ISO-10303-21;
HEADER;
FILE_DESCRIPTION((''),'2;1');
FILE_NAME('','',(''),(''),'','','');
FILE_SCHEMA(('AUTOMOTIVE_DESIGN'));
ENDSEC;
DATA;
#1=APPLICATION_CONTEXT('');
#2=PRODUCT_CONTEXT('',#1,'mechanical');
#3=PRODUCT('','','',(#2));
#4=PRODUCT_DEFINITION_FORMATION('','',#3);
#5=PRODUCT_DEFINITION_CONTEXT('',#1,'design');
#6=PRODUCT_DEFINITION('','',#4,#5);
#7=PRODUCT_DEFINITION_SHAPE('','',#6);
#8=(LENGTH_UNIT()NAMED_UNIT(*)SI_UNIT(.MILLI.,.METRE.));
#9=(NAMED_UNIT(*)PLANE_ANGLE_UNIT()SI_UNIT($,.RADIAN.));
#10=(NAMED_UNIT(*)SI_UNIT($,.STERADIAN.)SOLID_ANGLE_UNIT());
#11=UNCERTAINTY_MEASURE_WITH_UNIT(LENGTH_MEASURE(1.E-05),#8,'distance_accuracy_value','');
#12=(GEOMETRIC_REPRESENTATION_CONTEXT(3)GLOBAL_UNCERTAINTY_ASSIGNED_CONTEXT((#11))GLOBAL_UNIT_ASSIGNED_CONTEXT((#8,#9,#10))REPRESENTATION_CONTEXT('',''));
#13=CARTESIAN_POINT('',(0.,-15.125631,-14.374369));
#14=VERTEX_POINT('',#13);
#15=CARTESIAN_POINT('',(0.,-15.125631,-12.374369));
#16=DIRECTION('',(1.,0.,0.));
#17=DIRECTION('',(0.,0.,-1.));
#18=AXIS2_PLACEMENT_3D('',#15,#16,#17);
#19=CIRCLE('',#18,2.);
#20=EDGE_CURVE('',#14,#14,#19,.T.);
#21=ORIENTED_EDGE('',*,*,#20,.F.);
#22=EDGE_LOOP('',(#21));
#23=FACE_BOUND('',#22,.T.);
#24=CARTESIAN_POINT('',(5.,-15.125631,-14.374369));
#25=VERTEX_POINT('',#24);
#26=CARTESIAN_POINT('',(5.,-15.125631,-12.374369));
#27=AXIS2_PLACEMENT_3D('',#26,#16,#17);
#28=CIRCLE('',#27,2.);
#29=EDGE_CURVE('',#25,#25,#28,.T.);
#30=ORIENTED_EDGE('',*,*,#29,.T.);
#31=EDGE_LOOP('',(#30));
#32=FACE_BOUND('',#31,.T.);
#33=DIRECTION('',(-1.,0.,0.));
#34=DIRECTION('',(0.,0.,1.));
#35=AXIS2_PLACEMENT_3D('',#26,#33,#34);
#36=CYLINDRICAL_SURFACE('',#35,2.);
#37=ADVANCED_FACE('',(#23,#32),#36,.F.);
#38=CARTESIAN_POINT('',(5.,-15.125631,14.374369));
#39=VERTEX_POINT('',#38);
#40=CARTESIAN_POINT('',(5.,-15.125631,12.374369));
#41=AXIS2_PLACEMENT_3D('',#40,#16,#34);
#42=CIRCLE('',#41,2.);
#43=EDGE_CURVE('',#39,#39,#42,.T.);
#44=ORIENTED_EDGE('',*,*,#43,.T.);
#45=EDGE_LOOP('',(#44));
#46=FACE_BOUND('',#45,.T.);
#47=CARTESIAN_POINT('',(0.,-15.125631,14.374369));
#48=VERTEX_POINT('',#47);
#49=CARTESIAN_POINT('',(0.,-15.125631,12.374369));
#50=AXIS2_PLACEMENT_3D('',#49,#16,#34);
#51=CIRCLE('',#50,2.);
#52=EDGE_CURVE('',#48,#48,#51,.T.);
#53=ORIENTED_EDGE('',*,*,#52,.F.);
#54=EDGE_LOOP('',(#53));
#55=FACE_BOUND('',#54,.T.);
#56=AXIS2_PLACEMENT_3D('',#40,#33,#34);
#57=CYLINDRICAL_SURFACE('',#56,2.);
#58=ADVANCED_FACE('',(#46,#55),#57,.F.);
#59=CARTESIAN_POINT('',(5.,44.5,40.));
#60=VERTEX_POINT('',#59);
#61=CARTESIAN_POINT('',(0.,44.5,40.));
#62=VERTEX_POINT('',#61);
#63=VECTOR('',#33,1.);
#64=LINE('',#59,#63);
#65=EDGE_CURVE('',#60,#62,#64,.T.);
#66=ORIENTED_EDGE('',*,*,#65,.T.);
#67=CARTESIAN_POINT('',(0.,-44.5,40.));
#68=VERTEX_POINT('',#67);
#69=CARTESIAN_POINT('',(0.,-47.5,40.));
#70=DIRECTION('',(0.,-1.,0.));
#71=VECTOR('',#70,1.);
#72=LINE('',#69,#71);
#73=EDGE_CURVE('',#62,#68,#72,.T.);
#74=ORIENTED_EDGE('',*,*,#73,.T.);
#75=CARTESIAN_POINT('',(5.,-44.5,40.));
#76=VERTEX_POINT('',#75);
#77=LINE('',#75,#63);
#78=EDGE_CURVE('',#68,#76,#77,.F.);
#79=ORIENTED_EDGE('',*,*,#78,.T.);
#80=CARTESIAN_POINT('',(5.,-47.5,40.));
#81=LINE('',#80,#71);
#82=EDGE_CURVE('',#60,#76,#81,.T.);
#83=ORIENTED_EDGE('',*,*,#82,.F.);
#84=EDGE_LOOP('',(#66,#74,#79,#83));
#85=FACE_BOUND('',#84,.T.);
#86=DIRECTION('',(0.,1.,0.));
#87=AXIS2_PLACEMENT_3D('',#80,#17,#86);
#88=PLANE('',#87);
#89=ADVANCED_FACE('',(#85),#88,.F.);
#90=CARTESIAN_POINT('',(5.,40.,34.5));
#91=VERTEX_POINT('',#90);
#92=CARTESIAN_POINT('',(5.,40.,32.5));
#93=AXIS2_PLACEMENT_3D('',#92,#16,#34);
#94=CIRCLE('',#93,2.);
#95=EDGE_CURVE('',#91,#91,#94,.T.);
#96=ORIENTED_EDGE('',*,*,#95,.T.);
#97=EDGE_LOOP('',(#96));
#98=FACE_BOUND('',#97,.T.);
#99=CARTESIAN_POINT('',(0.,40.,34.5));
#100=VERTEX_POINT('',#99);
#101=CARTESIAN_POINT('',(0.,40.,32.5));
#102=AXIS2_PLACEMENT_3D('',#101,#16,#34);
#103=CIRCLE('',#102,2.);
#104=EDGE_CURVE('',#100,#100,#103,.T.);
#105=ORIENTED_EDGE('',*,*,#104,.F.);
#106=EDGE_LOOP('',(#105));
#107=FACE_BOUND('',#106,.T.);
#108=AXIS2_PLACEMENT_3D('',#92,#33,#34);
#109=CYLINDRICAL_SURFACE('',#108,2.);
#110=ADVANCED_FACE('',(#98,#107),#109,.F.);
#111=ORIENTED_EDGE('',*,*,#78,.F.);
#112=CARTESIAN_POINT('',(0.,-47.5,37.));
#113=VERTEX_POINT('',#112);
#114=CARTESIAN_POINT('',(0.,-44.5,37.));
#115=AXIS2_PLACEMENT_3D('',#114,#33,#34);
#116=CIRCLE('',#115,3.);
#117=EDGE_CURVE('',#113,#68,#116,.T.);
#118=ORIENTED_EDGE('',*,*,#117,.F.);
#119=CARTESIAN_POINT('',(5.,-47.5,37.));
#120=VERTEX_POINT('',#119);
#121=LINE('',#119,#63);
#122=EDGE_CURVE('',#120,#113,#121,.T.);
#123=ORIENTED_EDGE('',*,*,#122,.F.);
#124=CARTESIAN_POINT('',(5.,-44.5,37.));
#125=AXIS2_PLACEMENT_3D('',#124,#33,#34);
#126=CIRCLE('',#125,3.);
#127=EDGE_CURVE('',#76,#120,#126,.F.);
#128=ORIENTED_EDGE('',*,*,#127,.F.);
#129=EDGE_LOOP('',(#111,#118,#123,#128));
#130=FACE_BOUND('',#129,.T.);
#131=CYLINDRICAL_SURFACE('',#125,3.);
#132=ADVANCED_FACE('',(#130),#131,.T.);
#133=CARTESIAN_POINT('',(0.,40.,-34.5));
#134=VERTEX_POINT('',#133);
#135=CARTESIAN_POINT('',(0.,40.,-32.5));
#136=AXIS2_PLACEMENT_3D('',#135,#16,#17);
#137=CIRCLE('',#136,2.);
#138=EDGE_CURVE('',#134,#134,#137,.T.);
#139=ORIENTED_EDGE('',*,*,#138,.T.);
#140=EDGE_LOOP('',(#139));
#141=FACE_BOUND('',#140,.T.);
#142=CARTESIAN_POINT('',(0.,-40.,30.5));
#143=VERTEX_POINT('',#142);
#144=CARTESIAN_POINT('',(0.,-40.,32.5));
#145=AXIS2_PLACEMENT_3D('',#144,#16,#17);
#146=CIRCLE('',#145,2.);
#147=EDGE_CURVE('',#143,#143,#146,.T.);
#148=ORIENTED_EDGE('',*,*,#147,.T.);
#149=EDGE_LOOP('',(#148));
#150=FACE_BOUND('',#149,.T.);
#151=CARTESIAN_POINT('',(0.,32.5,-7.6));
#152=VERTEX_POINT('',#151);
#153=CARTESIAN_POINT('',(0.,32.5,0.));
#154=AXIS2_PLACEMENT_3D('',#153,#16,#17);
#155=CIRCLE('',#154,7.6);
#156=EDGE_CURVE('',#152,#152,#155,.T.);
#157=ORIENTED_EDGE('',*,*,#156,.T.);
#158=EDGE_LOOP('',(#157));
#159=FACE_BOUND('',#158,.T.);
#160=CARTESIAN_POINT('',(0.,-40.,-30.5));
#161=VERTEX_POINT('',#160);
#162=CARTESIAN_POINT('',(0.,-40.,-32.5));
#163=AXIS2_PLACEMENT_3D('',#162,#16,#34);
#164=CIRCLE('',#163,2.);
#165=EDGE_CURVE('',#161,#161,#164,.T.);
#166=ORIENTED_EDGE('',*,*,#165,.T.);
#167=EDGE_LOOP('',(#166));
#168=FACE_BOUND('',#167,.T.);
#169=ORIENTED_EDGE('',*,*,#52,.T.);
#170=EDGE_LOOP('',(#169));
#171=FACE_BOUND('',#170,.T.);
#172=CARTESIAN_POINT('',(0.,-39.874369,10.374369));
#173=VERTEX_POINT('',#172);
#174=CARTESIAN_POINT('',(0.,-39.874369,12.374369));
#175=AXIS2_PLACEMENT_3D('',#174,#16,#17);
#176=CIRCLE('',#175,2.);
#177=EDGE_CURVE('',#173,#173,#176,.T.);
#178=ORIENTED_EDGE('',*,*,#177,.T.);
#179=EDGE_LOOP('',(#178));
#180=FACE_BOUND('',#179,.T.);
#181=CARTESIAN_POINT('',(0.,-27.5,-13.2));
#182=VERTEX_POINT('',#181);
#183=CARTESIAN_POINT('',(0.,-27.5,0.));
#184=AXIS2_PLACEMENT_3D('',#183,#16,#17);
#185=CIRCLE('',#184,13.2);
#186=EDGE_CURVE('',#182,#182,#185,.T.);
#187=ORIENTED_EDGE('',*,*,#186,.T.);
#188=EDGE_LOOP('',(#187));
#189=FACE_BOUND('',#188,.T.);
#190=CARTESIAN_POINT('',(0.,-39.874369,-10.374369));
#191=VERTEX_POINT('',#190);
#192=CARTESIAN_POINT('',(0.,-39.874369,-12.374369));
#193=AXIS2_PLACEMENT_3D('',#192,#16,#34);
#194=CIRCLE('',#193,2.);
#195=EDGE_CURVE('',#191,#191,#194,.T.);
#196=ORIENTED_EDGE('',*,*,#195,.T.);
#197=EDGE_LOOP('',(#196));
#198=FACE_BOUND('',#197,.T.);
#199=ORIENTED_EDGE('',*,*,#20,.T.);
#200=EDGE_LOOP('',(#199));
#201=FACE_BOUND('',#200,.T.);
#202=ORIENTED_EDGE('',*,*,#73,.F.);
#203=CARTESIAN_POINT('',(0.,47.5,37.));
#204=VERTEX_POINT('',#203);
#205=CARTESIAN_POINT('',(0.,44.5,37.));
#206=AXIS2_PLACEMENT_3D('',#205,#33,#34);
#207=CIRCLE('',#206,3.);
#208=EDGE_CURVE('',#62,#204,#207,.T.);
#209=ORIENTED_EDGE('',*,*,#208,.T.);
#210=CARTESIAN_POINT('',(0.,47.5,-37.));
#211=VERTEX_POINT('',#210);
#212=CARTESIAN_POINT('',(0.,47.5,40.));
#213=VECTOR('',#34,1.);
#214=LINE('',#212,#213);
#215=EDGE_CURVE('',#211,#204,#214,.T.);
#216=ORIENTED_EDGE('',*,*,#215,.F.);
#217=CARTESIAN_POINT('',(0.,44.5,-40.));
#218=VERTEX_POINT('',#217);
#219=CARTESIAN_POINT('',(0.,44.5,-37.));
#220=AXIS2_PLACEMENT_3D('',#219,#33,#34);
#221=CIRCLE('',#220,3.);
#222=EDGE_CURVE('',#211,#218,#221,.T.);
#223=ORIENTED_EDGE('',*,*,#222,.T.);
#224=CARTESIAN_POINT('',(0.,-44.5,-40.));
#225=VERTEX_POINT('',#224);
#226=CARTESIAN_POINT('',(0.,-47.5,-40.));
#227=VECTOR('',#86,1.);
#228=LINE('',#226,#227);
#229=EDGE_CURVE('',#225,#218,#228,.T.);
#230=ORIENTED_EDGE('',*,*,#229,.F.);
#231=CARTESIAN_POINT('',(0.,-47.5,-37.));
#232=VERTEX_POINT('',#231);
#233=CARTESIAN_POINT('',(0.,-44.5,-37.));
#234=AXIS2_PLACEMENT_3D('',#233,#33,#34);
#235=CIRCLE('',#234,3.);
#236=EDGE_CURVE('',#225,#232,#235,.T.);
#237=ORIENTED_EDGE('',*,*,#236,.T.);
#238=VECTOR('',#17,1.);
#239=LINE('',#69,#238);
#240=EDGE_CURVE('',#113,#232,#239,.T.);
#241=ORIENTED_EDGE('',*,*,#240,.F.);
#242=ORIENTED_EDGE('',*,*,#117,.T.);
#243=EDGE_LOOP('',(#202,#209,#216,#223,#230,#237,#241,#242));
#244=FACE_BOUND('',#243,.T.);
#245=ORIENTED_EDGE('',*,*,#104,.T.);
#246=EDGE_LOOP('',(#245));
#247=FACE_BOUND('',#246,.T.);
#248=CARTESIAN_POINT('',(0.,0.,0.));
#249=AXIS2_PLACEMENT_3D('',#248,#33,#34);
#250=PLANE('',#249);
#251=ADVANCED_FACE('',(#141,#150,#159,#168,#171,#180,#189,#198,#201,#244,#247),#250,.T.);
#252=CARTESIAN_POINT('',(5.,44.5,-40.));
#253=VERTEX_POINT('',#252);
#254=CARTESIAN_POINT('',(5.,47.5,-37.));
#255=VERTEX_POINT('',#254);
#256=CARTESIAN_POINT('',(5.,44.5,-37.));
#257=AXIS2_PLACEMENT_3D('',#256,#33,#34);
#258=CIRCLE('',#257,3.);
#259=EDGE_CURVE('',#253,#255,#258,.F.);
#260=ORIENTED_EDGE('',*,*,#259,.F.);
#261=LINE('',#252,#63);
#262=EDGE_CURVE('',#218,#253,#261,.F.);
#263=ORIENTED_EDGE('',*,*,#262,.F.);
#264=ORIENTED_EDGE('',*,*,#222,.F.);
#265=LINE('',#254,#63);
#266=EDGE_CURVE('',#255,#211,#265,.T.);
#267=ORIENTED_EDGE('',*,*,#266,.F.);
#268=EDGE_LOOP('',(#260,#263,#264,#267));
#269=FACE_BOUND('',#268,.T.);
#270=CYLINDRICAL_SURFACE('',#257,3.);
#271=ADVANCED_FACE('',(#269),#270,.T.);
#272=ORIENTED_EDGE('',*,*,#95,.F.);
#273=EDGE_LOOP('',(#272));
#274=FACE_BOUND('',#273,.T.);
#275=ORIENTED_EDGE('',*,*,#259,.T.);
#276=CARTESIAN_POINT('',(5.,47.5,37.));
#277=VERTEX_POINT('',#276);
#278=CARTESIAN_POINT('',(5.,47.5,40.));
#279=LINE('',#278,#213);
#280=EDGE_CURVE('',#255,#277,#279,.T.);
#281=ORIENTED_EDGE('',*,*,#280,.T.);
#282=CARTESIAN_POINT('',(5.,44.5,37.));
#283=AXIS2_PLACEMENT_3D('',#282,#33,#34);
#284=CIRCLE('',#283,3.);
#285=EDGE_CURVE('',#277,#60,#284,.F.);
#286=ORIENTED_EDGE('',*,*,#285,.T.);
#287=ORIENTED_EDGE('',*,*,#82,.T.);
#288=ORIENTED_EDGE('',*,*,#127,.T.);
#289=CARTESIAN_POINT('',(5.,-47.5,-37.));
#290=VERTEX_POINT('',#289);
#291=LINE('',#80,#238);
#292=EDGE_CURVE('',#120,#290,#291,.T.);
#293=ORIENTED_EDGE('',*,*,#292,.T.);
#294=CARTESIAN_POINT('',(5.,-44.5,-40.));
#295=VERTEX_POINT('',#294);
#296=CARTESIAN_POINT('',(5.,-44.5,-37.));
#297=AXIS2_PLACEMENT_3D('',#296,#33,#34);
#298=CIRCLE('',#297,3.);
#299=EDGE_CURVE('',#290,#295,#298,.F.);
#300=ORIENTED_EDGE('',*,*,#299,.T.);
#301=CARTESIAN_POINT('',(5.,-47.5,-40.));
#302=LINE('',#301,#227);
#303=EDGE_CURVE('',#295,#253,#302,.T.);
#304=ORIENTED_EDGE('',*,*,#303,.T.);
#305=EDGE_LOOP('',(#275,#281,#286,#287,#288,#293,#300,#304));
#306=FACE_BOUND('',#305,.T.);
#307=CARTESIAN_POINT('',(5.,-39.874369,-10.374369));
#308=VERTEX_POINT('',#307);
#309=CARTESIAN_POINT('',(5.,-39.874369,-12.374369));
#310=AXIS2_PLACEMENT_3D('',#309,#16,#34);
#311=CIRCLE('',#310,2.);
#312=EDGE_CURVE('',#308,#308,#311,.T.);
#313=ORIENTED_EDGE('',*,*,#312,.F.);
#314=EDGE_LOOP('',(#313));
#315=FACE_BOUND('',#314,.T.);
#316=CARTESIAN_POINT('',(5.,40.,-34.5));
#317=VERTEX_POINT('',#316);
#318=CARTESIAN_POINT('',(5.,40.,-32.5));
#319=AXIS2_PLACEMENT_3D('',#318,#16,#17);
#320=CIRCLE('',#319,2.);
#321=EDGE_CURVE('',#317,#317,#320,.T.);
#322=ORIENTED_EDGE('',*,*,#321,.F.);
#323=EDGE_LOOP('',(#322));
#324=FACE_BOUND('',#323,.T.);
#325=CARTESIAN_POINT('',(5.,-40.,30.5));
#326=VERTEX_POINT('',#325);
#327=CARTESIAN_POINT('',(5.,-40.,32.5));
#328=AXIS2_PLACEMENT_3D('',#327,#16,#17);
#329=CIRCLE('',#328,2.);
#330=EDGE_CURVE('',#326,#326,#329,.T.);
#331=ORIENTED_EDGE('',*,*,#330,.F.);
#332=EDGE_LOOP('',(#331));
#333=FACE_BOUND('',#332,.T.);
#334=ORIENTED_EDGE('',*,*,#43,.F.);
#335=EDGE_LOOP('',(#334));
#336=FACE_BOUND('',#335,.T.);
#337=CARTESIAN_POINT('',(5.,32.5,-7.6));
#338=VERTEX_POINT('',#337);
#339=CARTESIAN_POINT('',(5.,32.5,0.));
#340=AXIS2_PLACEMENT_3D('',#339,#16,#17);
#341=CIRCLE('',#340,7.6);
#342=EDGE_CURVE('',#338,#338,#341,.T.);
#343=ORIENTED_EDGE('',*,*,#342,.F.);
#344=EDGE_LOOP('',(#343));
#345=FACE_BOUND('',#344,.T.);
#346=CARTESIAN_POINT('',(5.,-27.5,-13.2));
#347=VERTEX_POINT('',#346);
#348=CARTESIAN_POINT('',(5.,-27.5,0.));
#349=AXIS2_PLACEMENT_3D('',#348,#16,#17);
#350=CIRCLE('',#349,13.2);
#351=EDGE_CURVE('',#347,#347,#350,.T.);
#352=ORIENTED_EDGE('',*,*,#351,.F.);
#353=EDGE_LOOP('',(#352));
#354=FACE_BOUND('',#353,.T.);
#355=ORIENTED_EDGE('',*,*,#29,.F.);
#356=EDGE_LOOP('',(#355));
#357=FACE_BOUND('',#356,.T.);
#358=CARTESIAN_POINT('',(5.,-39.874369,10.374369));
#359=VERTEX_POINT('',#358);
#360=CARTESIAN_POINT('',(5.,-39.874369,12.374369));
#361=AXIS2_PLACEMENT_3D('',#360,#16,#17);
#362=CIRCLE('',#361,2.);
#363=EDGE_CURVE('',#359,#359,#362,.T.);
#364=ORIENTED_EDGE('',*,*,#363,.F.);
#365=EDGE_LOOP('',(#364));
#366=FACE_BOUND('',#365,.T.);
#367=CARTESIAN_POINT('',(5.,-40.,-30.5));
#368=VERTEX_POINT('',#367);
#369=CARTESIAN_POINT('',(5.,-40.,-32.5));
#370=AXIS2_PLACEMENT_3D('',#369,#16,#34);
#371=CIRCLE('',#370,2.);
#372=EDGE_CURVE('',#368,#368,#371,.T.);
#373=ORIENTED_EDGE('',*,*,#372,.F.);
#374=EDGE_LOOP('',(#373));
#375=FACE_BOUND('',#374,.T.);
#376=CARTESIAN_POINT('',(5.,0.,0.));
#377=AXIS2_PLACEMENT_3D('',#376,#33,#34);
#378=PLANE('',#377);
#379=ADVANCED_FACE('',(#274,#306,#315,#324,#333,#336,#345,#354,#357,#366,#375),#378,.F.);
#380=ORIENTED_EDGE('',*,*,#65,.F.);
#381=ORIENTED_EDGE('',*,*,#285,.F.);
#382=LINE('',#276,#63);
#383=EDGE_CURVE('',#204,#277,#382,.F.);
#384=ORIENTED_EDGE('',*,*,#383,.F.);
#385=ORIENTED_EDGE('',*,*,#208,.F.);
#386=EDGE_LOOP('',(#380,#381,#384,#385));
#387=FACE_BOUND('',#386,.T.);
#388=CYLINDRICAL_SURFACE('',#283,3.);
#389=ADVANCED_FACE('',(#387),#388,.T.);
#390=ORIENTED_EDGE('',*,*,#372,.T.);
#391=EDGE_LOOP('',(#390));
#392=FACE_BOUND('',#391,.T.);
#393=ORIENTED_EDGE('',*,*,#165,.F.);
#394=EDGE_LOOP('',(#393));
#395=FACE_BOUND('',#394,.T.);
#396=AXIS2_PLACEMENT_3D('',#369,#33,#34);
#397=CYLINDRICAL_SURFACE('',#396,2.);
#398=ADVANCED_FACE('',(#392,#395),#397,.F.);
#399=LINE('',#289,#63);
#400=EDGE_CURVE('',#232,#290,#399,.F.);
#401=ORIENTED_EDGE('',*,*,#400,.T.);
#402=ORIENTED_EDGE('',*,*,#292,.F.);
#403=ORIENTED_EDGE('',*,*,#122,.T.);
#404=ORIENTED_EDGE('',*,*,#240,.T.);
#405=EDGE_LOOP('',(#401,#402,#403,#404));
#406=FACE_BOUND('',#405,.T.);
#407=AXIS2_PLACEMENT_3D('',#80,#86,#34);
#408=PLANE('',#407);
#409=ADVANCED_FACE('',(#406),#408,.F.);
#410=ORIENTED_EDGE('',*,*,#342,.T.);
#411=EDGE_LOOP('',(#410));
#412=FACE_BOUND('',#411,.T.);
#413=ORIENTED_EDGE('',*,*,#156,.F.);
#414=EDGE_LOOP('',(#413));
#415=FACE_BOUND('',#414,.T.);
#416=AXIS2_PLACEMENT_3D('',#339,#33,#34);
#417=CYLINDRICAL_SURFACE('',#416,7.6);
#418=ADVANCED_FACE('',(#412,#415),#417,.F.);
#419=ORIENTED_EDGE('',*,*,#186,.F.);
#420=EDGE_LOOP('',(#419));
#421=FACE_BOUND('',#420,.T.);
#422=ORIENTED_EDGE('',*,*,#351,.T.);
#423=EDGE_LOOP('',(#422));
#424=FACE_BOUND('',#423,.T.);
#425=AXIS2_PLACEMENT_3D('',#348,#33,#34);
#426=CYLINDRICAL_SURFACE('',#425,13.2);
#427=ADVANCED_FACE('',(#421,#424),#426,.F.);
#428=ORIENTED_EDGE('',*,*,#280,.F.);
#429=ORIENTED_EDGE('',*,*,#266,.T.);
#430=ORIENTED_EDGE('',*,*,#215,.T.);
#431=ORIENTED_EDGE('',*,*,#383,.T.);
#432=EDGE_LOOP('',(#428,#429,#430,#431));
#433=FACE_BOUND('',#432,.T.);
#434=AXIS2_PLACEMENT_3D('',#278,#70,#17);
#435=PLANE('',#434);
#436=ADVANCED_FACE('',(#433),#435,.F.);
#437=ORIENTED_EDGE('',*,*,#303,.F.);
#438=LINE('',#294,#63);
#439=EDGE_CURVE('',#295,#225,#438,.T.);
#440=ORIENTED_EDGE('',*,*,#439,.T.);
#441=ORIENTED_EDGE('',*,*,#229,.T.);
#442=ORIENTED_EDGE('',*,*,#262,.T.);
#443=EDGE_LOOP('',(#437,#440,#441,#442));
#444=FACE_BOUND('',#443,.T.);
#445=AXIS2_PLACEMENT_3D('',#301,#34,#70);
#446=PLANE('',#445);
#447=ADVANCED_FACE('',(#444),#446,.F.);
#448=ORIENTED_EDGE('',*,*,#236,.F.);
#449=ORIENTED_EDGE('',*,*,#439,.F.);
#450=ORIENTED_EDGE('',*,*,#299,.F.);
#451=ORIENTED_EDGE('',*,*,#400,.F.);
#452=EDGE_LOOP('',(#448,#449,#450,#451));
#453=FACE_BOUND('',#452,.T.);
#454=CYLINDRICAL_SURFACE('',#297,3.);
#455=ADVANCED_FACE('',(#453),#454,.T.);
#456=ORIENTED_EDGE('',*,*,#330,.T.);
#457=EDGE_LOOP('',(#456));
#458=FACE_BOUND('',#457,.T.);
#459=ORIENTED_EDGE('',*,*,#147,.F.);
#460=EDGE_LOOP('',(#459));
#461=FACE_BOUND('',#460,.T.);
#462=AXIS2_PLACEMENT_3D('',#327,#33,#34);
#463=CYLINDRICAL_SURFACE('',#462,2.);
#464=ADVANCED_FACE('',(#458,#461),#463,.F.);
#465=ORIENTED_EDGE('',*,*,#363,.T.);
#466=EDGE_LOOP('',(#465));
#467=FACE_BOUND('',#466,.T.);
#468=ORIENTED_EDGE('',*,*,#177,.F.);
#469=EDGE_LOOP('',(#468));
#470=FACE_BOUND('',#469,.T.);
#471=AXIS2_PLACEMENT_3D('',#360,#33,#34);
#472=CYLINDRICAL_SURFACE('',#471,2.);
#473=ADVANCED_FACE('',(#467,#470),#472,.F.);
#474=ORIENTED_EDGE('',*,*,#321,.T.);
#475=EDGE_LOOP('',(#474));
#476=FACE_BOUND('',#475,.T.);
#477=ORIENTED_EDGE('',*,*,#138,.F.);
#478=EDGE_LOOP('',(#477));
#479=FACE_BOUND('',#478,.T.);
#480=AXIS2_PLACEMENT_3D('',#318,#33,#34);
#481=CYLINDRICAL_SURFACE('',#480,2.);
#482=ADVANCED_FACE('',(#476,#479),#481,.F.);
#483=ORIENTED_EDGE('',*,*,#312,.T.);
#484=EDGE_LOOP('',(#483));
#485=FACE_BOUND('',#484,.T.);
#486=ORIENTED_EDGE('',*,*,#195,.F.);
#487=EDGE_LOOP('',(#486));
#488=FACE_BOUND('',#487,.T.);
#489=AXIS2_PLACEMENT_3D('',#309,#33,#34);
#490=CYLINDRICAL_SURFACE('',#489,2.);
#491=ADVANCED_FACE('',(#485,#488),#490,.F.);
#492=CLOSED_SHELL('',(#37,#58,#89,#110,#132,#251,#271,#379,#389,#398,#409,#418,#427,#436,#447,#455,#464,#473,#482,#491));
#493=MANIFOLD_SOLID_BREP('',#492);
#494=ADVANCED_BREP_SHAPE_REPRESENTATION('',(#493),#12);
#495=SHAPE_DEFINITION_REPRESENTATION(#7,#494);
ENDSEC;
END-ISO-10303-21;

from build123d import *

# Parameters (mm, degrees)
SKETCH_1_W      = 80
SKETCH_1_H      = 95
SKETCH_1_R      = 7.6
SKETCH_1_R_2    = 2
SKETCH_1_R_3    = 13.2
EXTRUDE_1_DEPTH = 5
FILLET_1_R      = 3


with BuildPart() as part:
    # ｽｹｯﾁ1 → ﾎﾞｽ - 押し出し1 (new body)
    with BuildSketch(Plane(origin=(0, 0, 0), x_dir=(0, 0, -1), z_dir=(1, 0, 0))):
        Rectangle(SKETCH_1_W, SKETCH_1_H)
        with Locations((0, 32.5)):
            Circle(SKETCH_1_R, mode=Mode.SUBTRACT)
        with Locations((12.374368671, -15.125631329)):
            Circle(SKETCH_1_R_2, mode=Mode.SUBTRACT)
        with Locations(Location((12.374368671, -39.874368671, 0), (0, 0, 180))):
            Circle(SKETCH_1_R_2, mode=Mode.SUBTRACT)
        with Locations((-12.374368671, -39.874368671)):
            Circle(SKETCH_1_R_2, mode=Mode.SUBTRACT)
        with Locations(Location((-12.374368671, -15.125631329, 0), (0, 0, 180))):
            Circle(SKETCH_1_R_2, mode=Mode.SUBTRACT)
        with Locations((0, -27.5)):
            Circle(SKETCH_1_R_3, mode=Mode.SUBTRACT)
        with Locations((32.5, 40)):
            Circle(SKETCH_1_R_2, mode=Mode.SUBTRACT)
        with Locations(Location((32.5, -40, 0), (0, 0, 180))):
            Circle(SKETCH_1_R_2, mode=Mode.SUBTRACT)
        with Locations((-32.5, -40)):
            Circle(SKETCH_1_R_2, mode=Mode.SUBTRACT)
        with Locations(Location((-32.5, 40, 0), (0, 0, 180))):
            Circle(SKETCH_1_R_2, mode=Mode.SUBTRACT)
    extrude(amount=EXTRUDE_1_DEPTH)

    # ﾌｨﾚｯﾄ1
    fillet_1_edges = [part.edges().sort_by_distance(p)[0] for p in [
        (2.5, -47.5, -40),
        (2.5, -47.5, 40),
        (2.5, 47.5, 40),
        (2.5, 47.5, -40),
    ]]
    fillet(fillet_1_edges, radius=FILLET_1_R)


solid = part.part
